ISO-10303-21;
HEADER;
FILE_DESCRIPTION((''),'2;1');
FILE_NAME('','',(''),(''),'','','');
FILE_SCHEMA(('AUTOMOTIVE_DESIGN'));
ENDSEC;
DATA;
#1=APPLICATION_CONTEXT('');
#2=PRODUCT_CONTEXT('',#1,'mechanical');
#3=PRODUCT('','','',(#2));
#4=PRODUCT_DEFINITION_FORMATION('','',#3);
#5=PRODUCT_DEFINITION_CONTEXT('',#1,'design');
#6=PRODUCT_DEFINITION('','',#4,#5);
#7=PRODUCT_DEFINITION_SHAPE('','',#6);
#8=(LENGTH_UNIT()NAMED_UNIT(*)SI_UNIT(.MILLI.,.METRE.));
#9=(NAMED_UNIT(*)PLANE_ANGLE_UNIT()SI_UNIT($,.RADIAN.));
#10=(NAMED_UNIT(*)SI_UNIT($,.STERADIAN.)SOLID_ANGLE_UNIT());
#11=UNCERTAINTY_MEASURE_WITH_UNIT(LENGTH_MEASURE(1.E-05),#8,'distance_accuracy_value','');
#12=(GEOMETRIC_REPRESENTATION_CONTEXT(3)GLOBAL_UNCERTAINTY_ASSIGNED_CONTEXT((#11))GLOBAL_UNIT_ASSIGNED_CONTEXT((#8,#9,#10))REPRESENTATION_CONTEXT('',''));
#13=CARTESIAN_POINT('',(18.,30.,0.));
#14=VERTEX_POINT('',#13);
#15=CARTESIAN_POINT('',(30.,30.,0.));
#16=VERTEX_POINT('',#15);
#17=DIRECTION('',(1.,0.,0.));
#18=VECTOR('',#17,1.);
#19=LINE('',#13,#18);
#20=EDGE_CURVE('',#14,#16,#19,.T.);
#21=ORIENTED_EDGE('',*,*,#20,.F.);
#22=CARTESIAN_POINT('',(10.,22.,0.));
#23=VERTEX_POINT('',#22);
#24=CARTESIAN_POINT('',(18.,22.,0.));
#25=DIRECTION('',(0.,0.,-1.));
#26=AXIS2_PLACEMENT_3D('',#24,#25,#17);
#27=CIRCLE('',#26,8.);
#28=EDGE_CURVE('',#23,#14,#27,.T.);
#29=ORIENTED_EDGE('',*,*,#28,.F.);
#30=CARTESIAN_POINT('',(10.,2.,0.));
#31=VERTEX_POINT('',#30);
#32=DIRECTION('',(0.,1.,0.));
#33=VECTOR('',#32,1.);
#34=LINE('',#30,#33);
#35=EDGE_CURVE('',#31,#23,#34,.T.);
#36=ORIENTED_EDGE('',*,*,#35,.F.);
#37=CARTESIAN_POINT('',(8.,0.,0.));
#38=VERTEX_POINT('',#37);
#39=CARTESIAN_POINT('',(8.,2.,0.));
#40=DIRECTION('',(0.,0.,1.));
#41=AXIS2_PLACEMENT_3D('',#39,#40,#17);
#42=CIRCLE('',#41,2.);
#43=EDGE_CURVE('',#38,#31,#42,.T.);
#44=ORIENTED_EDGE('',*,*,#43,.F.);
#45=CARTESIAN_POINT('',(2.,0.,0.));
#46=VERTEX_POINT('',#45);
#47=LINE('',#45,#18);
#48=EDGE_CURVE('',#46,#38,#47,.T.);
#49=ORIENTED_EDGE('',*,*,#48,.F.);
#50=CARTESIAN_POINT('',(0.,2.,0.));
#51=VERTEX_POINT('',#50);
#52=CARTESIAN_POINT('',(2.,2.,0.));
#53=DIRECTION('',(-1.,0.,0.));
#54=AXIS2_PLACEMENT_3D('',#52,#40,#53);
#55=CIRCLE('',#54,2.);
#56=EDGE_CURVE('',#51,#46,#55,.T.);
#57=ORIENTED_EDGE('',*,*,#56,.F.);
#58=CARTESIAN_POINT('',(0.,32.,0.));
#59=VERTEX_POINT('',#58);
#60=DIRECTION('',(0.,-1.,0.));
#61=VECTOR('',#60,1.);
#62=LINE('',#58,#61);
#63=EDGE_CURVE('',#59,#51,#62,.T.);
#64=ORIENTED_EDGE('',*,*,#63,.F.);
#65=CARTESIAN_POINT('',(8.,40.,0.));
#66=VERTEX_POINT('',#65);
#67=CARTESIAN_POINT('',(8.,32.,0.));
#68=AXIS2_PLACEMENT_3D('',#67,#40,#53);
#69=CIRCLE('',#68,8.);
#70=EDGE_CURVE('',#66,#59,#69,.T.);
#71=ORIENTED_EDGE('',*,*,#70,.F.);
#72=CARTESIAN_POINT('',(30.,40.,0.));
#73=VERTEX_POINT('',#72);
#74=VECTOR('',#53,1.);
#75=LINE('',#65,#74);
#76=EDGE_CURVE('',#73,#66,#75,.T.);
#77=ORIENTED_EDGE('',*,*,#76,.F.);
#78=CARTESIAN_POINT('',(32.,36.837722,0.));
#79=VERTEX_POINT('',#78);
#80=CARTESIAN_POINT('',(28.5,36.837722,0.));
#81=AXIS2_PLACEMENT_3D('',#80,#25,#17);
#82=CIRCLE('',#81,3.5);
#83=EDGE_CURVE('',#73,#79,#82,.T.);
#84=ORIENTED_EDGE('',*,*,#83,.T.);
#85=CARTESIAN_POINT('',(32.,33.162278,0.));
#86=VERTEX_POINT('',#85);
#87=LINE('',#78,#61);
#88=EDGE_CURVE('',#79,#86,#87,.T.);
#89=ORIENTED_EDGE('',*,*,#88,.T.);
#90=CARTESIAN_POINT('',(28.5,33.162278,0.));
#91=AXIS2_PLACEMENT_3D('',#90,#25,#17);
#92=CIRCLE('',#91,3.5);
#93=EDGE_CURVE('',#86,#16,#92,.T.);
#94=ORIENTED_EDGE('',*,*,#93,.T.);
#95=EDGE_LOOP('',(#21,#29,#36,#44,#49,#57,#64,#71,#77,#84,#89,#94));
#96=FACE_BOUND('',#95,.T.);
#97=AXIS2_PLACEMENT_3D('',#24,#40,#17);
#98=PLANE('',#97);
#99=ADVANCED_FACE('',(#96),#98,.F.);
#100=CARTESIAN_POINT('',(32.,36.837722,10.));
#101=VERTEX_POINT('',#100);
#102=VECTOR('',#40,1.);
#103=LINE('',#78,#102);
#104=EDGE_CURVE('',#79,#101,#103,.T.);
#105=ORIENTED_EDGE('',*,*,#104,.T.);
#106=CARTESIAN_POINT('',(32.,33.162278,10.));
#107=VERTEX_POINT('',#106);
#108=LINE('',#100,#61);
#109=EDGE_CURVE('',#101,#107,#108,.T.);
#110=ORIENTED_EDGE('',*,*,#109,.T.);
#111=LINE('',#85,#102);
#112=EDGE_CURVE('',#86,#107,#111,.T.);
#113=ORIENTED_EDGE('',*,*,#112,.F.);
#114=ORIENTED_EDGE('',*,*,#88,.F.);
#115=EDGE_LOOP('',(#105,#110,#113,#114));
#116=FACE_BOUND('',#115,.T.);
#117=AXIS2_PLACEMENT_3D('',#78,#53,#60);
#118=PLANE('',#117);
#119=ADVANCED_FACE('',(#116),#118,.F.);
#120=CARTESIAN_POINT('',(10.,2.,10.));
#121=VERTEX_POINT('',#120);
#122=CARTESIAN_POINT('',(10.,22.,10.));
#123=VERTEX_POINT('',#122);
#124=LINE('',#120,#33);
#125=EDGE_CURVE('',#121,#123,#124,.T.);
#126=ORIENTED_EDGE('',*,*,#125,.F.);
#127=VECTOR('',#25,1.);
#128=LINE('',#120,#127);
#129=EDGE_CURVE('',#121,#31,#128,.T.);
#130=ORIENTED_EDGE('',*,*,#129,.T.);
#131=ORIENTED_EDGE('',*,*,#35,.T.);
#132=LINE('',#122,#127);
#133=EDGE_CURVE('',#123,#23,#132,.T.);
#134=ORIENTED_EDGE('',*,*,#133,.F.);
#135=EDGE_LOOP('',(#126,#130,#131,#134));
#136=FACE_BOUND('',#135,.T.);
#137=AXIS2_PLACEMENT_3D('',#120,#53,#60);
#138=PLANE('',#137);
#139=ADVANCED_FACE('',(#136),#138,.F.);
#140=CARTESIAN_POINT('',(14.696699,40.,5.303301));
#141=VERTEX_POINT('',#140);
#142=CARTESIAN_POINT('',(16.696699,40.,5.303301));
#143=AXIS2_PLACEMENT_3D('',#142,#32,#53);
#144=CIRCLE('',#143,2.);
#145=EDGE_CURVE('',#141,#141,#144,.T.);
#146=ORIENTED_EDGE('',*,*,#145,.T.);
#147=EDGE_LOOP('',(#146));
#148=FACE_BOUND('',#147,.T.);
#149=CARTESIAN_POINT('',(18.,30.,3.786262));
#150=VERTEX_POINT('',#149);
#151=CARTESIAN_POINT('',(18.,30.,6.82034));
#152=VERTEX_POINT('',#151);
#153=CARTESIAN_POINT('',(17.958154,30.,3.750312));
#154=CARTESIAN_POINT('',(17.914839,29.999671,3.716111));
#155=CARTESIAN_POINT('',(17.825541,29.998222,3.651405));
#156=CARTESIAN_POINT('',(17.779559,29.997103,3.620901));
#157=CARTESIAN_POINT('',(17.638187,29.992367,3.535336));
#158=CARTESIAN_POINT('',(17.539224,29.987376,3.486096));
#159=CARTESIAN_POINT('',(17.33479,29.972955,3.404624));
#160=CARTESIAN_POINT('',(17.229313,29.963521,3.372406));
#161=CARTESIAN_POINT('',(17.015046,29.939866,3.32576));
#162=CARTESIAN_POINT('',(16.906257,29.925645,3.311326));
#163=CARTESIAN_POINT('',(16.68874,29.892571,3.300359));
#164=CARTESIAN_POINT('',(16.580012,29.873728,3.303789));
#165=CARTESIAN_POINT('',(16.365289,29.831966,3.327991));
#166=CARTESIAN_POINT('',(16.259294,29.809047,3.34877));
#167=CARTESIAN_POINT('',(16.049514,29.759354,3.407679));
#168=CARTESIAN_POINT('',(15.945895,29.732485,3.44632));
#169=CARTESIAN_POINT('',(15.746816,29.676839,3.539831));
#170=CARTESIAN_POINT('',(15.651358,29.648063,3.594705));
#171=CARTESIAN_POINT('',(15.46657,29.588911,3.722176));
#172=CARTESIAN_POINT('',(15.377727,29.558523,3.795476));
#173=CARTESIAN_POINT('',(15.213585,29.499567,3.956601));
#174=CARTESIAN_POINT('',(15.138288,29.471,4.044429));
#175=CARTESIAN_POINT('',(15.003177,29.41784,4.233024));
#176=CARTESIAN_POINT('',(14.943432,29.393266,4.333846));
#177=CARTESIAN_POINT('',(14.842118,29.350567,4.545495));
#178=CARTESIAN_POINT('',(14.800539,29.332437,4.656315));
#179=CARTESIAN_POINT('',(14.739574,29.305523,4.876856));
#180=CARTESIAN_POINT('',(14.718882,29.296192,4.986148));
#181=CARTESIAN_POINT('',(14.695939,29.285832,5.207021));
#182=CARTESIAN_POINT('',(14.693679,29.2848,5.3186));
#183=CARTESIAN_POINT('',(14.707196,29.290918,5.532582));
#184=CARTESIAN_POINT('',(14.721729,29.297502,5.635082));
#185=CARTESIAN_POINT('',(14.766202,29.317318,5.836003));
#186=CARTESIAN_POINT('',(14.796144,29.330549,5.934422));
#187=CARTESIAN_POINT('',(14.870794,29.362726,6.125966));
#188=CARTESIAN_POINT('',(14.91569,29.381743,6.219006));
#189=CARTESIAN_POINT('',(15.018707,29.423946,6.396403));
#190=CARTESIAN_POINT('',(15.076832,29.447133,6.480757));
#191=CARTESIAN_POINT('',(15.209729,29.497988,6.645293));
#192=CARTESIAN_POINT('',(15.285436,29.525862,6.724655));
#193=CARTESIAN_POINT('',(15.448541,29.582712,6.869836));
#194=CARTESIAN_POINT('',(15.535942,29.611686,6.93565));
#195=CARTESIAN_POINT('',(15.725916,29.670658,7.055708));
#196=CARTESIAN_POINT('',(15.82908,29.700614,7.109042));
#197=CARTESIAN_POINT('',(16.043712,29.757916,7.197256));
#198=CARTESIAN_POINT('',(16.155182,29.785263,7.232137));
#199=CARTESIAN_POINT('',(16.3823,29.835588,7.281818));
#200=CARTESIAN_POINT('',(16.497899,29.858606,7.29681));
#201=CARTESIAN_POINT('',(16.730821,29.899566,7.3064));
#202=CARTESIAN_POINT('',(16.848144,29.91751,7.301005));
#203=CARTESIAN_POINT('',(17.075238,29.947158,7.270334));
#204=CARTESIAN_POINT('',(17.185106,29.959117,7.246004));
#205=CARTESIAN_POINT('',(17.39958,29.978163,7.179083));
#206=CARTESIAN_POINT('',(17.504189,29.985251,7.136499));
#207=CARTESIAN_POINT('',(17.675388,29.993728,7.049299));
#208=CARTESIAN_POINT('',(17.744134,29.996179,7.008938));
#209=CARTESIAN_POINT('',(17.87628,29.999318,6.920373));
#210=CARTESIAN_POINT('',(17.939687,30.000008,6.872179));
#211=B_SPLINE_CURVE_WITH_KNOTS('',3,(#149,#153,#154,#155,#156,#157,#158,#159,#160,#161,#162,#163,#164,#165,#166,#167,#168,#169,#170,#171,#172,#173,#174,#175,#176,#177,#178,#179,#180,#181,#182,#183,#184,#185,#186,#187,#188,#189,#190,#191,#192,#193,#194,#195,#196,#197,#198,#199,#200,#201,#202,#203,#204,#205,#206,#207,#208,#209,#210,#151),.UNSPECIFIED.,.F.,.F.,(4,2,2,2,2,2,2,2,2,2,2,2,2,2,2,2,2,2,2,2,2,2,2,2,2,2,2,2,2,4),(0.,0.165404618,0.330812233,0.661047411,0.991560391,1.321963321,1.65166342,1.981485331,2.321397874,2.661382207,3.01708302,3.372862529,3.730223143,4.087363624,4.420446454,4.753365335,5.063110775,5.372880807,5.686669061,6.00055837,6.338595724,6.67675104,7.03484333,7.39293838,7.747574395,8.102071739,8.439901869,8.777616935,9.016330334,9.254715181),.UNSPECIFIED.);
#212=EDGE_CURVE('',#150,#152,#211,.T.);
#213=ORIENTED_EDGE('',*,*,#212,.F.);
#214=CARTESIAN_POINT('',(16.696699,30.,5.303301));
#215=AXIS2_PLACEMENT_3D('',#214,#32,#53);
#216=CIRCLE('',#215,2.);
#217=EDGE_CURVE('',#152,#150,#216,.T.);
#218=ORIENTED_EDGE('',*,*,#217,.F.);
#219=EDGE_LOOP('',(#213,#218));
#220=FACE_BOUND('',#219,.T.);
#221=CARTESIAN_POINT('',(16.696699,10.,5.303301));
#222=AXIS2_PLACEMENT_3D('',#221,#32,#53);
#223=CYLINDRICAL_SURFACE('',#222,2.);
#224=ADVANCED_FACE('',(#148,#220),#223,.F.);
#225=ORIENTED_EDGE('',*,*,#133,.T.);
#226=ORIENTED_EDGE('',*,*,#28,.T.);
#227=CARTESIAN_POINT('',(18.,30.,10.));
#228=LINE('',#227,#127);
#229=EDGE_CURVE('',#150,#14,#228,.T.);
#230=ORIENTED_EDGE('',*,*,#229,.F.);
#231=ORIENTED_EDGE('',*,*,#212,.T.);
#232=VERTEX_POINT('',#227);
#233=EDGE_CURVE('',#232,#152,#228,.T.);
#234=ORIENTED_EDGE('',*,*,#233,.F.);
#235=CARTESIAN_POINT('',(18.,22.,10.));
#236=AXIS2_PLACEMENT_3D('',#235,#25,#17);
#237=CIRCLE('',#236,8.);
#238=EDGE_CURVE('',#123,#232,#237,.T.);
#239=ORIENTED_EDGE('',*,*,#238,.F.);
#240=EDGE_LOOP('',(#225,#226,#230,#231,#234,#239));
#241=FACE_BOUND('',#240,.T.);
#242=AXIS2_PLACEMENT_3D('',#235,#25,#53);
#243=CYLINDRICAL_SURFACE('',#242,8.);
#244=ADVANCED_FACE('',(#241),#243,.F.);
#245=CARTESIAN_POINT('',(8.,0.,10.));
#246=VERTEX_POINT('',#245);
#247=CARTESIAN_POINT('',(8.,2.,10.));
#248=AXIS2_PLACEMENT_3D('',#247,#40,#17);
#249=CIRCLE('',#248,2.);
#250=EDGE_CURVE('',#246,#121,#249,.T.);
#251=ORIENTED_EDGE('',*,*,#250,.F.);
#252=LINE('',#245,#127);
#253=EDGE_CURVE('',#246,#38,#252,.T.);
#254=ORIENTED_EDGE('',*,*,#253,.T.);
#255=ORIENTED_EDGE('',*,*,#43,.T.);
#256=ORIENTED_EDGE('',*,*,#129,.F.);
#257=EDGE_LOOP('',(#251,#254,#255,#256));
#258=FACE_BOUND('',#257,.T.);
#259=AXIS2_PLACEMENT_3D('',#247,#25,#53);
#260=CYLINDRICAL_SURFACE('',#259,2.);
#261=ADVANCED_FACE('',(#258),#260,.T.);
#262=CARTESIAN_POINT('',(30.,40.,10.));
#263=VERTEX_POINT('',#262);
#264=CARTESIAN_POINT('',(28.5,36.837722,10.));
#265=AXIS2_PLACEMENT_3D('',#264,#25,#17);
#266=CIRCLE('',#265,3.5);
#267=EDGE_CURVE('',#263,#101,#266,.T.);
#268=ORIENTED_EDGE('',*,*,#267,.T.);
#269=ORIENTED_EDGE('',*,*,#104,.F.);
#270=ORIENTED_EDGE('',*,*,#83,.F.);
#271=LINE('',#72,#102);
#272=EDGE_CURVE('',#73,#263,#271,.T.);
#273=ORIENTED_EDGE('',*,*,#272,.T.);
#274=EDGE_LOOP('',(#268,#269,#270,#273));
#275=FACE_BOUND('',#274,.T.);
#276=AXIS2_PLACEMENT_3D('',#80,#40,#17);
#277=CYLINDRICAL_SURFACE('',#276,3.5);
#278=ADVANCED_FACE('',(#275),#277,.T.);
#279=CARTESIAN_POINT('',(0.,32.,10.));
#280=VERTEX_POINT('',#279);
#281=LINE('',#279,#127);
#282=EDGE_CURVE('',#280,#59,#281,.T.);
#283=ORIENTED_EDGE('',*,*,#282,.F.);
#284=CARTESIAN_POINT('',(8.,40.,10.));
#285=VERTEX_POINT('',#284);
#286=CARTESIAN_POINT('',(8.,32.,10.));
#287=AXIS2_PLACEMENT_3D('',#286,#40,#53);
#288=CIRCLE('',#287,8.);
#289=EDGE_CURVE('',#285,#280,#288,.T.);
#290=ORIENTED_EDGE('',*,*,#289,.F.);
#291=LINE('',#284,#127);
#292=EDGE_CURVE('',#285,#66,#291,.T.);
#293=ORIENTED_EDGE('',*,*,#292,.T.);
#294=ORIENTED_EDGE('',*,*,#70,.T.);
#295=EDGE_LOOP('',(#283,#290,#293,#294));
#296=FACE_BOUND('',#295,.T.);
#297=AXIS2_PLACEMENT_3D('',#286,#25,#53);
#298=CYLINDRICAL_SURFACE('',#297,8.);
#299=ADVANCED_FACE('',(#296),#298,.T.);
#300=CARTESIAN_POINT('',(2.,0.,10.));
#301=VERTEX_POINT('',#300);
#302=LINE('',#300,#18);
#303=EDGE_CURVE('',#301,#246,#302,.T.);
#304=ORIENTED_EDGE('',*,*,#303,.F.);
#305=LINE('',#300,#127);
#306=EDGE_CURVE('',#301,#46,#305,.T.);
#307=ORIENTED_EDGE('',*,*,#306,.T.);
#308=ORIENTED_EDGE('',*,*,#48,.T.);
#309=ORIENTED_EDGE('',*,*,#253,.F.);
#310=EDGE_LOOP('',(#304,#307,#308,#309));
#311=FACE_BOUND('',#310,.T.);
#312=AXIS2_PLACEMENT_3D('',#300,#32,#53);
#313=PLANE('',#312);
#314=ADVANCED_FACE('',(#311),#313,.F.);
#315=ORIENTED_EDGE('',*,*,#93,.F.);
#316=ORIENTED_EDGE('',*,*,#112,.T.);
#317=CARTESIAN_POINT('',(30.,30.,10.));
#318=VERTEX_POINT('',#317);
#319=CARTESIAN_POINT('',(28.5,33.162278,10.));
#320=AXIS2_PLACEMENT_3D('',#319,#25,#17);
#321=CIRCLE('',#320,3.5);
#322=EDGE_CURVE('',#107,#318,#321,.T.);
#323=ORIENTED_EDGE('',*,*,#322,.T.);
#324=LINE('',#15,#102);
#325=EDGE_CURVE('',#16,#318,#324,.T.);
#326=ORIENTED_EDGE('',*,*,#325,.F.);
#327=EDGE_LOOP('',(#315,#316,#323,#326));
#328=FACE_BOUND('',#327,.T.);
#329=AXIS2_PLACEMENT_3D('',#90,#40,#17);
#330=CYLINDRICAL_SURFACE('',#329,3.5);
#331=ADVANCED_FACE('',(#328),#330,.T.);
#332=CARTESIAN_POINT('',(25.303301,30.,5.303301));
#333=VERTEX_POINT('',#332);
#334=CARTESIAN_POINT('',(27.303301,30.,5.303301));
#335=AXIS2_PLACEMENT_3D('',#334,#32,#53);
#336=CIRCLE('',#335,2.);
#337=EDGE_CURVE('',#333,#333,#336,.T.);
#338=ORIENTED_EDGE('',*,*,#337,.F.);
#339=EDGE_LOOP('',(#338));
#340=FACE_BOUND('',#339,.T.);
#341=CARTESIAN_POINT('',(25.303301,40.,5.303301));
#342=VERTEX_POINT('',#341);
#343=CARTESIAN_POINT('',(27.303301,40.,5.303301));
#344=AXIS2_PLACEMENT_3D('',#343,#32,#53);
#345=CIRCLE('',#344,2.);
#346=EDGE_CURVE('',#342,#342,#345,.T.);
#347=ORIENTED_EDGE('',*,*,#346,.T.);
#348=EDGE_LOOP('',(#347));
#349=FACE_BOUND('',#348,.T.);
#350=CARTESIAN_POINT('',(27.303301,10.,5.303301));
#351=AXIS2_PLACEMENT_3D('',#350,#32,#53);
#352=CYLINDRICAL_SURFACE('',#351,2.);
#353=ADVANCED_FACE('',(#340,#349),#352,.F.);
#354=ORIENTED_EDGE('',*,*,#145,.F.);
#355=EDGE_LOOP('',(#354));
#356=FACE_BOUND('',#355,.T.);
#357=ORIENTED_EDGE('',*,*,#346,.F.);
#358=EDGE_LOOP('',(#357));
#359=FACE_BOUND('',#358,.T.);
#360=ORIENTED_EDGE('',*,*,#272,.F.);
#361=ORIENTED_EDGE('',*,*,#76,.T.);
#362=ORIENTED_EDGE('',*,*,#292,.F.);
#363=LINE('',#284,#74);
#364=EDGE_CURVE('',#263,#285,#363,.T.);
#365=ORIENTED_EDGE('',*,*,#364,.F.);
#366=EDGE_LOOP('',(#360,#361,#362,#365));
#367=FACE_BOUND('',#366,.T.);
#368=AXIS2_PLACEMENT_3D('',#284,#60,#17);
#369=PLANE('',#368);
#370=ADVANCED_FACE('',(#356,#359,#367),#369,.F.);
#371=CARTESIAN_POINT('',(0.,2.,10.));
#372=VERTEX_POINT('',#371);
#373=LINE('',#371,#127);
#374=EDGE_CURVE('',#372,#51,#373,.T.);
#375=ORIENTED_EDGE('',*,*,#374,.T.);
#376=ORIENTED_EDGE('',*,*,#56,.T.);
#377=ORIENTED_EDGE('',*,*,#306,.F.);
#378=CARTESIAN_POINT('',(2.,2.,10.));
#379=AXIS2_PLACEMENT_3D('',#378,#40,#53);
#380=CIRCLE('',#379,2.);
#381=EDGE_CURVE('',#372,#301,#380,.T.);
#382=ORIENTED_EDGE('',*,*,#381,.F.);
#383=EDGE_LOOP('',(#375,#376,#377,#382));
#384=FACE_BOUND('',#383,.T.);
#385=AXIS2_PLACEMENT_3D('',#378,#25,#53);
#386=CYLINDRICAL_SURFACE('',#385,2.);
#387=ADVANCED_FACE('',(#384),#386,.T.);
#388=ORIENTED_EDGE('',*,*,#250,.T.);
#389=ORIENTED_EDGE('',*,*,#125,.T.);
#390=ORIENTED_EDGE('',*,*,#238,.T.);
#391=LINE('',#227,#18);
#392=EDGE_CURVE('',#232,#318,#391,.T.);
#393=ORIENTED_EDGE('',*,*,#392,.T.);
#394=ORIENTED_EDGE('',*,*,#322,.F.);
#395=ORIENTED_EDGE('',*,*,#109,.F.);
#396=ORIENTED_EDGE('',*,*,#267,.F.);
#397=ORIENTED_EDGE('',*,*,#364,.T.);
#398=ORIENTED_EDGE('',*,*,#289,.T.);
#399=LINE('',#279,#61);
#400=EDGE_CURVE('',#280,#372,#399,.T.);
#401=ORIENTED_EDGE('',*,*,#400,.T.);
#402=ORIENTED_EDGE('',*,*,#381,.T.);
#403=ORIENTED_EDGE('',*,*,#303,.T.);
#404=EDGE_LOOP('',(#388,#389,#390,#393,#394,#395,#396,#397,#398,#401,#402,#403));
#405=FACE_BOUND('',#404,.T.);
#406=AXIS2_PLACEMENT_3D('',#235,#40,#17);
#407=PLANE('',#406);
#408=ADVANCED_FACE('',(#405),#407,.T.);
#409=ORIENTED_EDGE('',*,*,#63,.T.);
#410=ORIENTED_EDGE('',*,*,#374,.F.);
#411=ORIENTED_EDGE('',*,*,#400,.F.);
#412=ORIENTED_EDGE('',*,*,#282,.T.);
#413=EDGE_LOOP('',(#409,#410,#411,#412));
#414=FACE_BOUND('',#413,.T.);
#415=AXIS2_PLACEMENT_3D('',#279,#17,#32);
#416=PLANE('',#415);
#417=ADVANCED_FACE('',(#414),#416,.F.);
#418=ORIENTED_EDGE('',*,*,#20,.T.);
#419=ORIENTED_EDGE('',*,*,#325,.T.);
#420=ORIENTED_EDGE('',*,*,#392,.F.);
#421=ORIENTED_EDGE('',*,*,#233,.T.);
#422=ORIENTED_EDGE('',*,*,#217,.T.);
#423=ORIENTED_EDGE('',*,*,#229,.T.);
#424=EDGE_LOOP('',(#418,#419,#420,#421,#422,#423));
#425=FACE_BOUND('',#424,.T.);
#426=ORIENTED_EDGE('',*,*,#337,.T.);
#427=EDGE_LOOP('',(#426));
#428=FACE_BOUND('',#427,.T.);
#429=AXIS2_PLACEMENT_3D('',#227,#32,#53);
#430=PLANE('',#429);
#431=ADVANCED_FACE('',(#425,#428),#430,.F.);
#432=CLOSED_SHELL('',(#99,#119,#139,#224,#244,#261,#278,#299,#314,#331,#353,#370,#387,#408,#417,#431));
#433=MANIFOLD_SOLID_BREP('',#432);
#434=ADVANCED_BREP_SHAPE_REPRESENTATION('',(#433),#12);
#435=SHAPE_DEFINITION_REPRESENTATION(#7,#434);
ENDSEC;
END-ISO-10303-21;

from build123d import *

# Parameters (mm, degrees)
SALIENTE_EXTRUIR1_DEPTH = 10
CROQUIS2_R              = 2
CORTAR_EXTRUIR2_DEPTH   = 30
CORTAR_EXTRUIR3_START   = -10
CORTAR_EXTRUIR3_DEPTH   = 10


with BuildPart() as part:
    # Croquis1 → Saliente-Extruir1 (new body)
    with BuildSketch(Plane.XY):
        with BuildLine():
            Line((2, 0), (8, 0))
            ThreePointArc((8, 0), (9.414213562, 0.585786438), (10, 2))
            Line((10, 2), (10, 22))
            ThreePointArc((10, 22), (12.343145751, 27.656854249), (18, 30))
            Line((18, 30), (36, 30))
            ThreePointArc((36, 30), (38.828427125, 31.171572875), (40, 34))
            Line((40, 34), (40, 36))
            ThreePointArc((40, 36), (38.828427125, 38.828427125), (36, 40))
            Line((36, 40), (8, 40))
            ThreePointArc((8, 40), (2.343145751, 37.656854249), (0, 32))
            Line((0, 32), (0, 2))
            ThreePointArc((0, 2), (0.585786438, 0.585786438), (2, 0))
        make_face()
    extrude(amount=SALIENTE_EXTRUIR1_DEPTH)

    # Croquis2 → Cortar-Extruir2 (cut)
    with BuildSketch(Plane(origin=(0, 40, 0), x_dir=(1, 0, 0), z_dir=(0, 1, 0))):
        with Locations(Location((16.696699141, -5.303300859, 0), (0, 0, 180))):
            Circle(CROQUIS2_R)
        with Locations(Location((27.303300859, -5.303300859, 0), (0, 0, 180))):
            Circle(CROQUIS2_R)
    extrude(amount=-CORTAR_EXTRUIR2_DEPTH, mode=Mode.SUBTRACT)

    # Croquis3 → Cortar-Extruir3 (cut)
    with BuildSketch(Plane.XY.offset(10).offset(CORTAR_EXTRUIR3_START)):
        with BuildLine():
            Line((32, 36.83772234), (32, 33.16227766))
            ThreePointArc((32, 33.16227766), (31.458039892, 31.291448967), (30, 30))
            Line((30, 30), (36, 30))
            ThreePointArc((36, 30), (38.828427125, 31.171572875), (40, 34))
            Line((40, 34), (40, 36))
            ThreePointArc((40, 36), (38.828427125, 38.828427125), (36, 40))
            Line((36, 40), (30, 40))
            ThreePointArc((30, 40), (31.458039892, 38.708551033), (32, 36.83772234))
        make_face()
    extrude(amount=CORTAR_EXTRUIR3_DEPTH, mode=Mode.SUBTRACT)


solid = part.part
